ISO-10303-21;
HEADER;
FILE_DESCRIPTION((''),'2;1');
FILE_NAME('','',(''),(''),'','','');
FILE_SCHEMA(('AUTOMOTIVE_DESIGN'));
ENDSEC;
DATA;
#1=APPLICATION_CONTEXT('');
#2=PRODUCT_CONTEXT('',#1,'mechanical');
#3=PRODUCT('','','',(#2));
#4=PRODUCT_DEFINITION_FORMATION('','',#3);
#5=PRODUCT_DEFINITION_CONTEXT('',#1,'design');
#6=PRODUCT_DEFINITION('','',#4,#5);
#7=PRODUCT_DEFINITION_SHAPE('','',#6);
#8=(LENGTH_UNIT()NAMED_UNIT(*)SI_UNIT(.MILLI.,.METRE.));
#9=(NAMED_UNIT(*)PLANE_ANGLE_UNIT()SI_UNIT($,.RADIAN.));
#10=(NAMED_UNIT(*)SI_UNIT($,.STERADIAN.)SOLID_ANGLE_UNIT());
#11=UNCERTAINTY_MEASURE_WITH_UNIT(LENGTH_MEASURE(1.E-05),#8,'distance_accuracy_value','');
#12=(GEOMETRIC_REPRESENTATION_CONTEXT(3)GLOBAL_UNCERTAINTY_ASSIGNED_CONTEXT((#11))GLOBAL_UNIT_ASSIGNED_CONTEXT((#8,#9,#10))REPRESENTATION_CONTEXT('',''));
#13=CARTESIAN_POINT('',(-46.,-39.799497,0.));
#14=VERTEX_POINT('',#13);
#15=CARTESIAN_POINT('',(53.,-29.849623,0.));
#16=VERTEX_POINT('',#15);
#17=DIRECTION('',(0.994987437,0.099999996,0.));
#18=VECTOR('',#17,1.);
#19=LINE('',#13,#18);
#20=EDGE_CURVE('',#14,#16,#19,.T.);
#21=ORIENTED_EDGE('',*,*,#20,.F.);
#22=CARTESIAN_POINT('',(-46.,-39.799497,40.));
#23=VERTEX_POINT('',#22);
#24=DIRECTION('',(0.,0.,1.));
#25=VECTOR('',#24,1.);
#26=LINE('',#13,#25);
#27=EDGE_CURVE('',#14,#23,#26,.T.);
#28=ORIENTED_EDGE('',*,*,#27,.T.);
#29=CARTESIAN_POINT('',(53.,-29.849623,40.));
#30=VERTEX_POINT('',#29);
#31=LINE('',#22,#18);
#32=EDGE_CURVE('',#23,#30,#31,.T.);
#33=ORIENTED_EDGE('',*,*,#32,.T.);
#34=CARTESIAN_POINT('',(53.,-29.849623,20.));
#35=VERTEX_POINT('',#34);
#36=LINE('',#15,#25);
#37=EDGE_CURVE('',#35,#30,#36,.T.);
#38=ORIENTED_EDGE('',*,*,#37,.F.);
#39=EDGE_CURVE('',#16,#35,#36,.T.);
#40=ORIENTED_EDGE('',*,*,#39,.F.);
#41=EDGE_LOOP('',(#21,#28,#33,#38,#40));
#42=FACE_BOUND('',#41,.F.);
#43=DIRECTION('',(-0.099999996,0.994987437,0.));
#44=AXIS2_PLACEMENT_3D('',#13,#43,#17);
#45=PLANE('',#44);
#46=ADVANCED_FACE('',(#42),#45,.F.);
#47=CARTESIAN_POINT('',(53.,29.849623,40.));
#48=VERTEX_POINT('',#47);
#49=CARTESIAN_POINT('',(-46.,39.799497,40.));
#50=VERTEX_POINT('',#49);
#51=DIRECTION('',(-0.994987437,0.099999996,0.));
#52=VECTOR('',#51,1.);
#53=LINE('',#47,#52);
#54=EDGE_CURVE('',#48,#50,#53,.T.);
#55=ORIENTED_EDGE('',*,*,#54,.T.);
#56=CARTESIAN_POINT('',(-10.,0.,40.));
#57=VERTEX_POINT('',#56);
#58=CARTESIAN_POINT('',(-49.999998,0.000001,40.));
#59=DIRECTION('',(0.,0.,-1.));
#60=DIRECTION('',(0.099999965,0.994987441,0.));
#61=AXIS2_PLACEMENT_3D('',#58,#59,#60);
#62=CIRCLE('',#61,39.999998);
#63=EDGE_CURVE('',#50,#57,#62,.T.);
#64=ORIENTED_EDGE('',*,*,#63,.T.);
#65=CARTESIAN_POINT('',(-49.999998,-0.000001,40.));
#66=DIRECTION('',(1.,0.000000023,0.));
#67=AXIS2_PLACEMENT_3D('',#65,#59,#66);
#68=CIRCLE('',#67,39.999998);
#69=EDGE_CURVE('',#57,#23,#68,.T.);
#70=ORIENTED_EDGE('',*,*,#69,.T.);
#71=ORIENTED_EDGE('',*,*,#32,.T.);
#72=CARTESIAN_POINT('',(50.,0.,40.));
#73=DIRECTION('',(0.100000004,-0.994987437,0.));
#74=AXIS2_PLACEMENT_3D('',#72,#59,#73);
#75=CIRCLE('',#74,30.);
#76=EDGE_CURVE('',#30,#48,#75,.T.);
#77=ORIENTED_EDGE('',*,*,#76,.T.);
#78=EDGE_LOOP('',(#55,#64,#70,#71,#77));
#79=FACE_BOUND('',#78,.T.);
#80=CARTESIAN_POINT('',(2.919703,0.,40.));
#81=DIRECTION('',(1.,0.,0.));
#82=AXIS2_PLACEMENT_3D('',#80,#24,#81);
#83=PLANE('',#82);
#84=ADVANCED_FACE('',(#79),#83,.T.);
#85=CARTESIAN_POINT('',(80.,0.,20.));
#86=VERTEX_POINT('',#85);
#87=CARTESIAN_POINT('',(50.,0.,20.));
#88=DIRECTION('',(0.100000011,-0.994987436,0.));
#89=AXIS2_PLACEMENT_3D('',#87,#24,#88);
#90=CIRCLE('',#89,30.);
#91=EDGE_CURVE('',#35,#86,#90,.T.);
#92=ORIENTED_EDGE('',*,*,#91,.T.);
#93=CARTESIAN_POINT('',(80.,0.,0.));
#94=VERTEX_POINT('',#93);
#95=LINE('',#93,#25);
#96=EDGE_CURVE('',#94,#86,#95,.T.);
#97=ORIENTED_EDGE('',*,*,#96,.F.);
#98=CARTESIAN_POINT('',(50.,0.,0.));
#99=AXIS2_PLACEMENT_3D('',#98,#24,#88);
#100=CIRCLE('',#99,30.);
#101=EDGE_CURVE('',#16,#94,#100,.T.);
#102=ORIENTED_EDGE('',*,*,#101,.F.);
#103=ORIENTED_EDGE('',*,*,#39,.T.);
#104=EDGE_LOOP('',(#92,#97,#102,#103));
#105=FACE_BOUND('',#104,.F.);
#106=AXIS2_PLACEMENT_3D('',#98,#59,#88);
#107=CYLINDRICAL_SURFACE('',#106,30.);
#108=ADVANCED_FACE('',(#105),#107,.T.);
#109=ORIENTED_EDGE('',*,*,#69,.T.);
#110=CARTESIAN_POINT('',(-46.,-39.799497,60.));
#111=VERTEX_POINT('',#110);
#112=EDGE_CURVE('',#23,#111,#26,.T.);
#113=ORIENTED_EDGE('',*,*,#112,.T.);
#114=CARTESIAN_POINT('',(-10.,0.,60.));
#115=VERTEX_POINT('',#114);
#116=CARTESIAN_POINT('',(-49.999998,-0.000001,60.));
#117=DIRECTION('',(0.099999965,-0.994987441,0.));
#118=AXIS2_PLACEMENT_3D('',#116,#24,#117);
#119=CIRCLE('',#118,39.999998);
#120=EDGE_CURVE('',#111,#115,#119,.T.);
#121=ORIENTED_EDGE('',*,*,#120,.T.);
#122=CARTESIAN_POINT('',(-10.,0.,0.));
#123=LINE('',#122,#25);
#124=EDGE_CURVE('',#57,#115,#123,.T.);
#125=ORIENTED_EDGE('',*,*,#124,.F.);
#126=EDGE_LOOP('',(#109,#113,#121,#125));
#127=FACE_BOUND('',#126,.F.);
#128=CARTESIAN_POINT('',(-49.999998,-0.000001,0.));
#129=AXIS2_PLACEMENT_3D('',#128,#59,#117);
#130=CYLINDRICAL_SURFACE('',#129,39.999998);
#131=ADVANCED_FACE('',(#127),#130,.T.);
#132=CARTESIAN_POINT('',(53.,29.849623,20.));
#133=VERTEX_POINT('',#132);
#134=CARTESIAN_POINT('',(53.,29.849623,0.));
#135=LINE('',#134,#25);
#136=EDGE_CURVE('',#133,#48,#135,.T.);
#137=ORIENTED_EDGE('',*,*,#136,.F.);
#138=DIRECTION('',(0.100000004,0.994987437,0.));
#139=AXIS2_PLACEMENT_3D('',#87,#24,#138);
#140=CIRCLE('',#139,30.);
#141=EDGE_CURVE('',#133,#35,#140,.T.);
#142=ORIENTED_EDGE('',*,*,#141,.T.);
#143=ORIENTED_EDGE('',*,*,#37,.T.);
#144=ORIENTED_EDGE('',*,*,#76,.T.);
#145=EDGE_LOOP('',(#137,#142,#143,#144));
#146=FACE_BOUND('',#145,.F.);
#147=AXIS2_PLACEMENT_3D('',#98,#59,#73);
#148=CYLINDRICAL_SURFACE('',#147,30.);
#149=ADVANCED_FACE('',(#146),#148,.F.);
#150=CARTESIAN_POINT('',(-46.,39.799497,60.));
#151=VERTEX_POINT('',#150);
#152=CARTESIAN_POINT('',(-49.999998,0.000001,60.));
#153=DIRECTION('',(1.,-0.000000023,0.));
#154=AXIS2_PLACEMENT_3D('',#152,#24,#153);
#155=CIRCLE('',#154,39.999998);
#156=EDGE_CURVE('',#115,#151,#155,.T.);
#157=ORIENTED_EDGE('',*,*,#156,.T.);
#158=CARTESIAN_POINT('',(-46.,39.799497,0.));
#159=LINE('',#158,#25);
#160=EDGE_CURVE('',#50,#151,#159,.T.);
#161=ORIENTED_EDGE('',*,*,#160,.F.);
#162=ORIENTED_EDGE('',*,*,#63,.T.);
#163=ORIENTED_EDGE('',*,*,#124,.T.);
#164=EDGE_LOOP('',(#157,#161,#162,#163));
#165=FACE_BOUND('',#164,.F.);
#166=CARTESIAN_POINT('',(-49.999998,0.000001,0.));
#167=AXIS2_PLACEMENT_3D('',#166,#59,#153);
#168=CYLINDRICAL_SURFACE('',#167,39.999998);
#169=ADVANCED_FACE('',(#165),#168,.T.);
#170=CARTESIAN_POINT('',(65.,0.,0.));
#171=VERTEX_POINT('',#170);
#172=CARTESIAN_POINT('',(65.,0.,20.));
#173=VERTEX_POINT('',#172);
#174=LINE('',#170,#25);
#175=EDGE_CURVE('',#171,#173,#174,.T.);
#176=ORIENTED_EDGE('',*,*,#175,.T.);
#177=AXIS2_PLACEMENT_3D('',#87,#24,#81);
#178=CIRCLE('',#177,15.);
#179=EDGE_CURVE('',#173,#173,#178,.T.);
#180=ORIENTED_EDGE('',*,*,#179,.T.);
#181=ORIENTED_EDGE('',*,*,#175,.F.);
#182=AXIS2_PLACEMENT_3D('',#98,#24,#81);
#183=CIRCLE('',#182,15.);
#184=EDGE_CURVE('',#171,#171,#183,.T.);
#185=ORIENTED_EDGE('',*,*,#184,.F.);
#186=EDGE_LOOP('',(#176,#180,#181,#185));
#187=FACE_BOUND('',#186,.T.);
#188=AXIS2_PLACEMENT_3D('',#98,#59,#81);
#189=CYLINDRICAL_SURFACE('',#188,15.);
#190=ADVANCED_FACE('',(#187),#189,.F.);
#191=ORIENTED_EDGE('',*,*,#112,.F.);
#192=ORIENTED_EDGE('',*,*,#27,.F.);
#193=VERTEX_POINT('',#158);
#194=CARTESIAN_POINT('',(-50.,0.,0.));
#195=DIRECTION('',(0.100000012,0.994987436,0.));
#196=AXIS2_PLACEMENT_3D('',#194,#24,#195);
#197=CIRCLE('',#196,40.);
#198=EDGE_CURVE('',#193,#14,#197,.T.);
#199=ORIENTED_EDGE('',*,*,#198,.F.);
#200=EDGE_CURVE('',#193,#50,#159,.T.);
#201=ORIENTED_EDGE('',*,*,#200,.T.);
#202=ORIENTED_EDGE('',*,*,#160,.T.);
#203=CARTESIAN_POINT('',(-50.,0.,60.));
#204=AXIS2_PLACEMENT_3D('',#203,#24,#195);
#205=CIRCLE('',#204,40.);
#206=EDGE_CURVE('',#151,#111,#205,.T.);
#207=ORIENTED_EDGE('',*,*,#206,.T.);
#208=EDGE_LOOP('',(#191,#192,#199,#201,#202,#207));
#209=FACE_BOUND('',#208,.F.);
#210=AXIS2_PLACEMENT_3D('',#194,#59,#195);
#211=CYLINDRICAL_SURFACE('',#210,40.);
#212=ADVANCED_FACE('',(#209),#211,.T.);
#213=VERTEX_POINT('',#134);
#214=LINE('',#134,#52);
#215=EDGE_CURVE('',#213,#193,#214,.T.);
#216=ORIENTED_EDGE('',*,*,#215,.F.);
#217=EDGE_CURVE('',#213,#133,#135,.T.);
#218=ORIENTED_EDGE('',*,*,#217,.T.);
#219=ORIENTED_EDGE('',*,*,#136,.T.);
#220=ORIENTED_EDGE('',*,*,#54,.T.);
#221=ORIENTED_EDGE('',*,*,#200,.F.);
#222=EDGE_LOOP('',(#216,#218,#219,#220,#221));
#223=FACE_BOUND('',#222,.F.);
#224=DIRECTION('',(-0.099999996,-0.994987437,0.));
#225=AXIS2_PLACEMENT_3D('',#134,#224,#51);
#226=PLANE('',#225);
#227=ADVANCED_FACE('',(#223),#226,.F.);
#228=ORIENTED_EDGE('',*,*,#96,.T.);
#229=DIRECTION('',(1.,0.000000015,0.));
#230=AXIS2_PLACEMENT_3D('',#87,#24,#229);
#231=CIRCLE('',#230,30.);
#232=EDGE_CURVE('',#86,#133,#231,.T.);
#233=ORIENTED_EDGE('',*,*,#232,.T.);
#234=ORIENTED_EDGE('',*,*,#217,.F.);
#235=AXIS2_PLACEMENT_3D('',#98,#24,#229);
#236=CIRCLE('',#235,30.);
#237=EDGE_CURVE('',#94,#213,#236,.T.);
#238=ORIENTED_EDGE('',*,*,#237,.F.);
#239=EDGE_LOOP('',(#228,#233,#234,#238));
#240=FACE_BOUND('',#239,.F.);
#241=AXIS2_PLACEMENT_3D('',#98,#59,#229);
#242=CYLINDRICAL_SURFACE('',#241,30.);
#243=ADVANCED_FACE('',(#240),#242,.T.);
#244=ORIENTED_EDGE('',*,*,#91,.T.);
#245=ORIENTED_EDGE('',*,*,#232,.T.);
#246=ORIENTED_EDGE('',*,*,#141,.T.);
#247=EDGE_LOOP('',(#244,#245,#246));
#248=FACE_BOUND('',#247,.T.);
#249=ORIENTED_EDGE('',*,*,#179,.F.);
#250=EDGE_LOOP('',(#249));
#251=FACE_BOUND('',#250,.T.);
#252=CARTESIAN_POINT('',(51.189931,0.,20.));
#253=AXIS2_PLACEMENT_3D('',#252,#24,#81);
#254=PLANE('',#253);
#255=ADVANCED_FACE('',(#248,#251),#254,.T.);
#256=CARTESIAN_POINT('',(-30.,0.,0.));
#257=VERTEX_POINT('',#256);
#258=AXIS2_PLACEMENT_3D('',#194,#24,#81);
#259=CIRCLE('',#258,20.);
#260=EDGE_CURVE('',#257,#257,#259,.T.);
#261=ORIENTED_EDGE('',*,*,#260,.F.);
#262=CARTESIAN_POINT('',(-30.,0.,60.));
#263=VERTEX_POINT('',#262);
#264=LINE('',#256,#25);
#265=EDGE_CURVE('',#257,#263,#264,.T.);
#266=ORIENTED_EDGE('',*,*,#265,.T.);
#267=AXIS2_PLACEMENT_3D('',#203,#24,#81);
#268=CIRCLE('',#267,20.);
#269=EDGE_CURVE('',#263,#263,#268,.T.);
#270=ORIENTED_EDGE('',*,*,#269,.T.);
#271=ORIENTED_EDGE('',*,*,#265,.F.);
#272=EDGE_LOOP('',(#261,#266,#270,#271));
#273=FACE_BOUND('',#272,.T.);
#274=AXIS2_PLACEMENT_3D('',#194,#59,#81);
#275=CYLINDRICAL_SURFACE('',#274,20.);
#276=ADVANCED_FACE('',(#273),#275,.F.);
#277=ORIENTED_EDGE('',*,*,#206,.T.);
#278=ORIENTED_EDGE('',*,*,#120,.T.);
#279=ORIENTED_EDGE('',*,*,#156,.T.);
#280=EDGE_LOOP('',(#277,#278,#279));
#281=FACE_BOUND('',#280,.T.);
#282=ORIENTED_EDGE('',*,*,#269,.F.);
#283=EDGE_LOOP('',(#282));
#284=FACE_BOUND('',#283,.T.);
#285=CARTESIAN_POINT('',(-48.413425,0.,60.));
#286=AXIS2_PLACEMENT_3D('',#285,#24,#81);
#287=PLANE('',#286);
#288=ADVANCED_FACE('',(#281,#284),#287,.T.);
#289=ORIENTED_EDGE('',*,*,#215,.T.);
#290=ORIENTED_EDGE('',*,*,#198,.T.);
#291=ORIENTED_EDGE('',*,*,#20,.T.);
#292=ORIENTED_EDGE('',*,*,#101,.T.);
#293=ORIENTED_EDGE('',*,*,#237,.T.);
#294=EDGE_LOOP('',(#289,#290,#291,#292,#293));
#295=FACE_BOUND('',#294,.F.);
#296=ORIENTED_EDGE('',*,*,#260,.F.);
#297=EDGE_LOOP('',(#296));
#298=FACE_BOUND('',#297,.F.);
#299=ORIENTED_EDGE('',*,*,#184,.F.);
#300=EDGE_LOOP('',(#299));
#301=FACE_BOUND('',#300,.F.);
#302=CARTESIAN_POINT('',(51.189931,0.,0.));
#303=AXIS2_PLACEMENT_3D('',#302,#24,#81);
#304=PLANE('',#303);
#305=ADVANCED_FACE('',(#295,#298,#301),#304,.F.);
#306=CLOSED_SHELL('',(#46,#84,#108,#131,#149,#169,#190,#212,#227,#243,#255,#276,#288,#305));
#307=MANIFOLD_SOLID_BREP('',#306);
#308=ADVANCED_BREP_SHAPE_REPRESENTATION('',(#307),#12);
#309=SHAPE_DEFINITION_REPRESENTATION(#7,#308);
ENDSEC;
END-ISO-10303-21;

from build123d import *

# Parameters (mm, degrees)
F0_R     = 20
F1_DEPTH = 60
F2_DEPTH = 40
F0_R_2   = 15
F3_DEPTH = 20


with BuildPart() as f1:
    # F0 (on Top) → F1 (new body)
    with BuildSketch(Plane.XY):
        with BuildLine():
            ThreePointArc((-46, -39.799497), (-20.335206, -26.832816), (-10, 0))
            ThreePointArc((-10, 0), (-20.335206, 26.832816), (-46, 39.799497))
            ThreePointArc((-46, 39.799497), (-90, 0), (-46, -39.799497))
        make_face()
        with Locations((-50, 0)):
            Circle(F0_R, mode=Mode.SUBTRACT)
    extrude(amount=F1_DEPTH)

    # F0 (on Top) → F2 (join)
    with BuildSketch(Plane.XY):
        with BuildLine():
            ThreePointArc((-46, 39.799497), (-20.335206, 26.832816), (-10, 0))
            ThreePointArc((-10, 0), (-20.335206, -26.832816), (-46, -39.799497))
            Line((-46, -39.799497), (53, -29.849623))
            ThreePointArc((53, -29.849623), (20, 0), (53, 29.849623))
            Line((53, 29.849623), (-46, 39.799497))
        make_face()
    extrude(amount=F2_DEPTH)

    # F0 (on Top) → F3 (join)
    with BuildSketch(Plane.XY):
        with BuildLine():
            ThreePointArc((80, 0), (72.248595, 20.124612), (53, 29.849623))
            ThreePointArc((53, 29.849623), (20, 0), (53, -29.849623))
            ThreePointArc((53, -29.849623), (72.248595, -20.124612), (80, 0))
        make_face()
        with Locations((50, 0)):
            Circle(F0_R_2, mode=Mode.SUBTRACT)
    extrude(amount=F3_DEPTH)


solid = f1.part
